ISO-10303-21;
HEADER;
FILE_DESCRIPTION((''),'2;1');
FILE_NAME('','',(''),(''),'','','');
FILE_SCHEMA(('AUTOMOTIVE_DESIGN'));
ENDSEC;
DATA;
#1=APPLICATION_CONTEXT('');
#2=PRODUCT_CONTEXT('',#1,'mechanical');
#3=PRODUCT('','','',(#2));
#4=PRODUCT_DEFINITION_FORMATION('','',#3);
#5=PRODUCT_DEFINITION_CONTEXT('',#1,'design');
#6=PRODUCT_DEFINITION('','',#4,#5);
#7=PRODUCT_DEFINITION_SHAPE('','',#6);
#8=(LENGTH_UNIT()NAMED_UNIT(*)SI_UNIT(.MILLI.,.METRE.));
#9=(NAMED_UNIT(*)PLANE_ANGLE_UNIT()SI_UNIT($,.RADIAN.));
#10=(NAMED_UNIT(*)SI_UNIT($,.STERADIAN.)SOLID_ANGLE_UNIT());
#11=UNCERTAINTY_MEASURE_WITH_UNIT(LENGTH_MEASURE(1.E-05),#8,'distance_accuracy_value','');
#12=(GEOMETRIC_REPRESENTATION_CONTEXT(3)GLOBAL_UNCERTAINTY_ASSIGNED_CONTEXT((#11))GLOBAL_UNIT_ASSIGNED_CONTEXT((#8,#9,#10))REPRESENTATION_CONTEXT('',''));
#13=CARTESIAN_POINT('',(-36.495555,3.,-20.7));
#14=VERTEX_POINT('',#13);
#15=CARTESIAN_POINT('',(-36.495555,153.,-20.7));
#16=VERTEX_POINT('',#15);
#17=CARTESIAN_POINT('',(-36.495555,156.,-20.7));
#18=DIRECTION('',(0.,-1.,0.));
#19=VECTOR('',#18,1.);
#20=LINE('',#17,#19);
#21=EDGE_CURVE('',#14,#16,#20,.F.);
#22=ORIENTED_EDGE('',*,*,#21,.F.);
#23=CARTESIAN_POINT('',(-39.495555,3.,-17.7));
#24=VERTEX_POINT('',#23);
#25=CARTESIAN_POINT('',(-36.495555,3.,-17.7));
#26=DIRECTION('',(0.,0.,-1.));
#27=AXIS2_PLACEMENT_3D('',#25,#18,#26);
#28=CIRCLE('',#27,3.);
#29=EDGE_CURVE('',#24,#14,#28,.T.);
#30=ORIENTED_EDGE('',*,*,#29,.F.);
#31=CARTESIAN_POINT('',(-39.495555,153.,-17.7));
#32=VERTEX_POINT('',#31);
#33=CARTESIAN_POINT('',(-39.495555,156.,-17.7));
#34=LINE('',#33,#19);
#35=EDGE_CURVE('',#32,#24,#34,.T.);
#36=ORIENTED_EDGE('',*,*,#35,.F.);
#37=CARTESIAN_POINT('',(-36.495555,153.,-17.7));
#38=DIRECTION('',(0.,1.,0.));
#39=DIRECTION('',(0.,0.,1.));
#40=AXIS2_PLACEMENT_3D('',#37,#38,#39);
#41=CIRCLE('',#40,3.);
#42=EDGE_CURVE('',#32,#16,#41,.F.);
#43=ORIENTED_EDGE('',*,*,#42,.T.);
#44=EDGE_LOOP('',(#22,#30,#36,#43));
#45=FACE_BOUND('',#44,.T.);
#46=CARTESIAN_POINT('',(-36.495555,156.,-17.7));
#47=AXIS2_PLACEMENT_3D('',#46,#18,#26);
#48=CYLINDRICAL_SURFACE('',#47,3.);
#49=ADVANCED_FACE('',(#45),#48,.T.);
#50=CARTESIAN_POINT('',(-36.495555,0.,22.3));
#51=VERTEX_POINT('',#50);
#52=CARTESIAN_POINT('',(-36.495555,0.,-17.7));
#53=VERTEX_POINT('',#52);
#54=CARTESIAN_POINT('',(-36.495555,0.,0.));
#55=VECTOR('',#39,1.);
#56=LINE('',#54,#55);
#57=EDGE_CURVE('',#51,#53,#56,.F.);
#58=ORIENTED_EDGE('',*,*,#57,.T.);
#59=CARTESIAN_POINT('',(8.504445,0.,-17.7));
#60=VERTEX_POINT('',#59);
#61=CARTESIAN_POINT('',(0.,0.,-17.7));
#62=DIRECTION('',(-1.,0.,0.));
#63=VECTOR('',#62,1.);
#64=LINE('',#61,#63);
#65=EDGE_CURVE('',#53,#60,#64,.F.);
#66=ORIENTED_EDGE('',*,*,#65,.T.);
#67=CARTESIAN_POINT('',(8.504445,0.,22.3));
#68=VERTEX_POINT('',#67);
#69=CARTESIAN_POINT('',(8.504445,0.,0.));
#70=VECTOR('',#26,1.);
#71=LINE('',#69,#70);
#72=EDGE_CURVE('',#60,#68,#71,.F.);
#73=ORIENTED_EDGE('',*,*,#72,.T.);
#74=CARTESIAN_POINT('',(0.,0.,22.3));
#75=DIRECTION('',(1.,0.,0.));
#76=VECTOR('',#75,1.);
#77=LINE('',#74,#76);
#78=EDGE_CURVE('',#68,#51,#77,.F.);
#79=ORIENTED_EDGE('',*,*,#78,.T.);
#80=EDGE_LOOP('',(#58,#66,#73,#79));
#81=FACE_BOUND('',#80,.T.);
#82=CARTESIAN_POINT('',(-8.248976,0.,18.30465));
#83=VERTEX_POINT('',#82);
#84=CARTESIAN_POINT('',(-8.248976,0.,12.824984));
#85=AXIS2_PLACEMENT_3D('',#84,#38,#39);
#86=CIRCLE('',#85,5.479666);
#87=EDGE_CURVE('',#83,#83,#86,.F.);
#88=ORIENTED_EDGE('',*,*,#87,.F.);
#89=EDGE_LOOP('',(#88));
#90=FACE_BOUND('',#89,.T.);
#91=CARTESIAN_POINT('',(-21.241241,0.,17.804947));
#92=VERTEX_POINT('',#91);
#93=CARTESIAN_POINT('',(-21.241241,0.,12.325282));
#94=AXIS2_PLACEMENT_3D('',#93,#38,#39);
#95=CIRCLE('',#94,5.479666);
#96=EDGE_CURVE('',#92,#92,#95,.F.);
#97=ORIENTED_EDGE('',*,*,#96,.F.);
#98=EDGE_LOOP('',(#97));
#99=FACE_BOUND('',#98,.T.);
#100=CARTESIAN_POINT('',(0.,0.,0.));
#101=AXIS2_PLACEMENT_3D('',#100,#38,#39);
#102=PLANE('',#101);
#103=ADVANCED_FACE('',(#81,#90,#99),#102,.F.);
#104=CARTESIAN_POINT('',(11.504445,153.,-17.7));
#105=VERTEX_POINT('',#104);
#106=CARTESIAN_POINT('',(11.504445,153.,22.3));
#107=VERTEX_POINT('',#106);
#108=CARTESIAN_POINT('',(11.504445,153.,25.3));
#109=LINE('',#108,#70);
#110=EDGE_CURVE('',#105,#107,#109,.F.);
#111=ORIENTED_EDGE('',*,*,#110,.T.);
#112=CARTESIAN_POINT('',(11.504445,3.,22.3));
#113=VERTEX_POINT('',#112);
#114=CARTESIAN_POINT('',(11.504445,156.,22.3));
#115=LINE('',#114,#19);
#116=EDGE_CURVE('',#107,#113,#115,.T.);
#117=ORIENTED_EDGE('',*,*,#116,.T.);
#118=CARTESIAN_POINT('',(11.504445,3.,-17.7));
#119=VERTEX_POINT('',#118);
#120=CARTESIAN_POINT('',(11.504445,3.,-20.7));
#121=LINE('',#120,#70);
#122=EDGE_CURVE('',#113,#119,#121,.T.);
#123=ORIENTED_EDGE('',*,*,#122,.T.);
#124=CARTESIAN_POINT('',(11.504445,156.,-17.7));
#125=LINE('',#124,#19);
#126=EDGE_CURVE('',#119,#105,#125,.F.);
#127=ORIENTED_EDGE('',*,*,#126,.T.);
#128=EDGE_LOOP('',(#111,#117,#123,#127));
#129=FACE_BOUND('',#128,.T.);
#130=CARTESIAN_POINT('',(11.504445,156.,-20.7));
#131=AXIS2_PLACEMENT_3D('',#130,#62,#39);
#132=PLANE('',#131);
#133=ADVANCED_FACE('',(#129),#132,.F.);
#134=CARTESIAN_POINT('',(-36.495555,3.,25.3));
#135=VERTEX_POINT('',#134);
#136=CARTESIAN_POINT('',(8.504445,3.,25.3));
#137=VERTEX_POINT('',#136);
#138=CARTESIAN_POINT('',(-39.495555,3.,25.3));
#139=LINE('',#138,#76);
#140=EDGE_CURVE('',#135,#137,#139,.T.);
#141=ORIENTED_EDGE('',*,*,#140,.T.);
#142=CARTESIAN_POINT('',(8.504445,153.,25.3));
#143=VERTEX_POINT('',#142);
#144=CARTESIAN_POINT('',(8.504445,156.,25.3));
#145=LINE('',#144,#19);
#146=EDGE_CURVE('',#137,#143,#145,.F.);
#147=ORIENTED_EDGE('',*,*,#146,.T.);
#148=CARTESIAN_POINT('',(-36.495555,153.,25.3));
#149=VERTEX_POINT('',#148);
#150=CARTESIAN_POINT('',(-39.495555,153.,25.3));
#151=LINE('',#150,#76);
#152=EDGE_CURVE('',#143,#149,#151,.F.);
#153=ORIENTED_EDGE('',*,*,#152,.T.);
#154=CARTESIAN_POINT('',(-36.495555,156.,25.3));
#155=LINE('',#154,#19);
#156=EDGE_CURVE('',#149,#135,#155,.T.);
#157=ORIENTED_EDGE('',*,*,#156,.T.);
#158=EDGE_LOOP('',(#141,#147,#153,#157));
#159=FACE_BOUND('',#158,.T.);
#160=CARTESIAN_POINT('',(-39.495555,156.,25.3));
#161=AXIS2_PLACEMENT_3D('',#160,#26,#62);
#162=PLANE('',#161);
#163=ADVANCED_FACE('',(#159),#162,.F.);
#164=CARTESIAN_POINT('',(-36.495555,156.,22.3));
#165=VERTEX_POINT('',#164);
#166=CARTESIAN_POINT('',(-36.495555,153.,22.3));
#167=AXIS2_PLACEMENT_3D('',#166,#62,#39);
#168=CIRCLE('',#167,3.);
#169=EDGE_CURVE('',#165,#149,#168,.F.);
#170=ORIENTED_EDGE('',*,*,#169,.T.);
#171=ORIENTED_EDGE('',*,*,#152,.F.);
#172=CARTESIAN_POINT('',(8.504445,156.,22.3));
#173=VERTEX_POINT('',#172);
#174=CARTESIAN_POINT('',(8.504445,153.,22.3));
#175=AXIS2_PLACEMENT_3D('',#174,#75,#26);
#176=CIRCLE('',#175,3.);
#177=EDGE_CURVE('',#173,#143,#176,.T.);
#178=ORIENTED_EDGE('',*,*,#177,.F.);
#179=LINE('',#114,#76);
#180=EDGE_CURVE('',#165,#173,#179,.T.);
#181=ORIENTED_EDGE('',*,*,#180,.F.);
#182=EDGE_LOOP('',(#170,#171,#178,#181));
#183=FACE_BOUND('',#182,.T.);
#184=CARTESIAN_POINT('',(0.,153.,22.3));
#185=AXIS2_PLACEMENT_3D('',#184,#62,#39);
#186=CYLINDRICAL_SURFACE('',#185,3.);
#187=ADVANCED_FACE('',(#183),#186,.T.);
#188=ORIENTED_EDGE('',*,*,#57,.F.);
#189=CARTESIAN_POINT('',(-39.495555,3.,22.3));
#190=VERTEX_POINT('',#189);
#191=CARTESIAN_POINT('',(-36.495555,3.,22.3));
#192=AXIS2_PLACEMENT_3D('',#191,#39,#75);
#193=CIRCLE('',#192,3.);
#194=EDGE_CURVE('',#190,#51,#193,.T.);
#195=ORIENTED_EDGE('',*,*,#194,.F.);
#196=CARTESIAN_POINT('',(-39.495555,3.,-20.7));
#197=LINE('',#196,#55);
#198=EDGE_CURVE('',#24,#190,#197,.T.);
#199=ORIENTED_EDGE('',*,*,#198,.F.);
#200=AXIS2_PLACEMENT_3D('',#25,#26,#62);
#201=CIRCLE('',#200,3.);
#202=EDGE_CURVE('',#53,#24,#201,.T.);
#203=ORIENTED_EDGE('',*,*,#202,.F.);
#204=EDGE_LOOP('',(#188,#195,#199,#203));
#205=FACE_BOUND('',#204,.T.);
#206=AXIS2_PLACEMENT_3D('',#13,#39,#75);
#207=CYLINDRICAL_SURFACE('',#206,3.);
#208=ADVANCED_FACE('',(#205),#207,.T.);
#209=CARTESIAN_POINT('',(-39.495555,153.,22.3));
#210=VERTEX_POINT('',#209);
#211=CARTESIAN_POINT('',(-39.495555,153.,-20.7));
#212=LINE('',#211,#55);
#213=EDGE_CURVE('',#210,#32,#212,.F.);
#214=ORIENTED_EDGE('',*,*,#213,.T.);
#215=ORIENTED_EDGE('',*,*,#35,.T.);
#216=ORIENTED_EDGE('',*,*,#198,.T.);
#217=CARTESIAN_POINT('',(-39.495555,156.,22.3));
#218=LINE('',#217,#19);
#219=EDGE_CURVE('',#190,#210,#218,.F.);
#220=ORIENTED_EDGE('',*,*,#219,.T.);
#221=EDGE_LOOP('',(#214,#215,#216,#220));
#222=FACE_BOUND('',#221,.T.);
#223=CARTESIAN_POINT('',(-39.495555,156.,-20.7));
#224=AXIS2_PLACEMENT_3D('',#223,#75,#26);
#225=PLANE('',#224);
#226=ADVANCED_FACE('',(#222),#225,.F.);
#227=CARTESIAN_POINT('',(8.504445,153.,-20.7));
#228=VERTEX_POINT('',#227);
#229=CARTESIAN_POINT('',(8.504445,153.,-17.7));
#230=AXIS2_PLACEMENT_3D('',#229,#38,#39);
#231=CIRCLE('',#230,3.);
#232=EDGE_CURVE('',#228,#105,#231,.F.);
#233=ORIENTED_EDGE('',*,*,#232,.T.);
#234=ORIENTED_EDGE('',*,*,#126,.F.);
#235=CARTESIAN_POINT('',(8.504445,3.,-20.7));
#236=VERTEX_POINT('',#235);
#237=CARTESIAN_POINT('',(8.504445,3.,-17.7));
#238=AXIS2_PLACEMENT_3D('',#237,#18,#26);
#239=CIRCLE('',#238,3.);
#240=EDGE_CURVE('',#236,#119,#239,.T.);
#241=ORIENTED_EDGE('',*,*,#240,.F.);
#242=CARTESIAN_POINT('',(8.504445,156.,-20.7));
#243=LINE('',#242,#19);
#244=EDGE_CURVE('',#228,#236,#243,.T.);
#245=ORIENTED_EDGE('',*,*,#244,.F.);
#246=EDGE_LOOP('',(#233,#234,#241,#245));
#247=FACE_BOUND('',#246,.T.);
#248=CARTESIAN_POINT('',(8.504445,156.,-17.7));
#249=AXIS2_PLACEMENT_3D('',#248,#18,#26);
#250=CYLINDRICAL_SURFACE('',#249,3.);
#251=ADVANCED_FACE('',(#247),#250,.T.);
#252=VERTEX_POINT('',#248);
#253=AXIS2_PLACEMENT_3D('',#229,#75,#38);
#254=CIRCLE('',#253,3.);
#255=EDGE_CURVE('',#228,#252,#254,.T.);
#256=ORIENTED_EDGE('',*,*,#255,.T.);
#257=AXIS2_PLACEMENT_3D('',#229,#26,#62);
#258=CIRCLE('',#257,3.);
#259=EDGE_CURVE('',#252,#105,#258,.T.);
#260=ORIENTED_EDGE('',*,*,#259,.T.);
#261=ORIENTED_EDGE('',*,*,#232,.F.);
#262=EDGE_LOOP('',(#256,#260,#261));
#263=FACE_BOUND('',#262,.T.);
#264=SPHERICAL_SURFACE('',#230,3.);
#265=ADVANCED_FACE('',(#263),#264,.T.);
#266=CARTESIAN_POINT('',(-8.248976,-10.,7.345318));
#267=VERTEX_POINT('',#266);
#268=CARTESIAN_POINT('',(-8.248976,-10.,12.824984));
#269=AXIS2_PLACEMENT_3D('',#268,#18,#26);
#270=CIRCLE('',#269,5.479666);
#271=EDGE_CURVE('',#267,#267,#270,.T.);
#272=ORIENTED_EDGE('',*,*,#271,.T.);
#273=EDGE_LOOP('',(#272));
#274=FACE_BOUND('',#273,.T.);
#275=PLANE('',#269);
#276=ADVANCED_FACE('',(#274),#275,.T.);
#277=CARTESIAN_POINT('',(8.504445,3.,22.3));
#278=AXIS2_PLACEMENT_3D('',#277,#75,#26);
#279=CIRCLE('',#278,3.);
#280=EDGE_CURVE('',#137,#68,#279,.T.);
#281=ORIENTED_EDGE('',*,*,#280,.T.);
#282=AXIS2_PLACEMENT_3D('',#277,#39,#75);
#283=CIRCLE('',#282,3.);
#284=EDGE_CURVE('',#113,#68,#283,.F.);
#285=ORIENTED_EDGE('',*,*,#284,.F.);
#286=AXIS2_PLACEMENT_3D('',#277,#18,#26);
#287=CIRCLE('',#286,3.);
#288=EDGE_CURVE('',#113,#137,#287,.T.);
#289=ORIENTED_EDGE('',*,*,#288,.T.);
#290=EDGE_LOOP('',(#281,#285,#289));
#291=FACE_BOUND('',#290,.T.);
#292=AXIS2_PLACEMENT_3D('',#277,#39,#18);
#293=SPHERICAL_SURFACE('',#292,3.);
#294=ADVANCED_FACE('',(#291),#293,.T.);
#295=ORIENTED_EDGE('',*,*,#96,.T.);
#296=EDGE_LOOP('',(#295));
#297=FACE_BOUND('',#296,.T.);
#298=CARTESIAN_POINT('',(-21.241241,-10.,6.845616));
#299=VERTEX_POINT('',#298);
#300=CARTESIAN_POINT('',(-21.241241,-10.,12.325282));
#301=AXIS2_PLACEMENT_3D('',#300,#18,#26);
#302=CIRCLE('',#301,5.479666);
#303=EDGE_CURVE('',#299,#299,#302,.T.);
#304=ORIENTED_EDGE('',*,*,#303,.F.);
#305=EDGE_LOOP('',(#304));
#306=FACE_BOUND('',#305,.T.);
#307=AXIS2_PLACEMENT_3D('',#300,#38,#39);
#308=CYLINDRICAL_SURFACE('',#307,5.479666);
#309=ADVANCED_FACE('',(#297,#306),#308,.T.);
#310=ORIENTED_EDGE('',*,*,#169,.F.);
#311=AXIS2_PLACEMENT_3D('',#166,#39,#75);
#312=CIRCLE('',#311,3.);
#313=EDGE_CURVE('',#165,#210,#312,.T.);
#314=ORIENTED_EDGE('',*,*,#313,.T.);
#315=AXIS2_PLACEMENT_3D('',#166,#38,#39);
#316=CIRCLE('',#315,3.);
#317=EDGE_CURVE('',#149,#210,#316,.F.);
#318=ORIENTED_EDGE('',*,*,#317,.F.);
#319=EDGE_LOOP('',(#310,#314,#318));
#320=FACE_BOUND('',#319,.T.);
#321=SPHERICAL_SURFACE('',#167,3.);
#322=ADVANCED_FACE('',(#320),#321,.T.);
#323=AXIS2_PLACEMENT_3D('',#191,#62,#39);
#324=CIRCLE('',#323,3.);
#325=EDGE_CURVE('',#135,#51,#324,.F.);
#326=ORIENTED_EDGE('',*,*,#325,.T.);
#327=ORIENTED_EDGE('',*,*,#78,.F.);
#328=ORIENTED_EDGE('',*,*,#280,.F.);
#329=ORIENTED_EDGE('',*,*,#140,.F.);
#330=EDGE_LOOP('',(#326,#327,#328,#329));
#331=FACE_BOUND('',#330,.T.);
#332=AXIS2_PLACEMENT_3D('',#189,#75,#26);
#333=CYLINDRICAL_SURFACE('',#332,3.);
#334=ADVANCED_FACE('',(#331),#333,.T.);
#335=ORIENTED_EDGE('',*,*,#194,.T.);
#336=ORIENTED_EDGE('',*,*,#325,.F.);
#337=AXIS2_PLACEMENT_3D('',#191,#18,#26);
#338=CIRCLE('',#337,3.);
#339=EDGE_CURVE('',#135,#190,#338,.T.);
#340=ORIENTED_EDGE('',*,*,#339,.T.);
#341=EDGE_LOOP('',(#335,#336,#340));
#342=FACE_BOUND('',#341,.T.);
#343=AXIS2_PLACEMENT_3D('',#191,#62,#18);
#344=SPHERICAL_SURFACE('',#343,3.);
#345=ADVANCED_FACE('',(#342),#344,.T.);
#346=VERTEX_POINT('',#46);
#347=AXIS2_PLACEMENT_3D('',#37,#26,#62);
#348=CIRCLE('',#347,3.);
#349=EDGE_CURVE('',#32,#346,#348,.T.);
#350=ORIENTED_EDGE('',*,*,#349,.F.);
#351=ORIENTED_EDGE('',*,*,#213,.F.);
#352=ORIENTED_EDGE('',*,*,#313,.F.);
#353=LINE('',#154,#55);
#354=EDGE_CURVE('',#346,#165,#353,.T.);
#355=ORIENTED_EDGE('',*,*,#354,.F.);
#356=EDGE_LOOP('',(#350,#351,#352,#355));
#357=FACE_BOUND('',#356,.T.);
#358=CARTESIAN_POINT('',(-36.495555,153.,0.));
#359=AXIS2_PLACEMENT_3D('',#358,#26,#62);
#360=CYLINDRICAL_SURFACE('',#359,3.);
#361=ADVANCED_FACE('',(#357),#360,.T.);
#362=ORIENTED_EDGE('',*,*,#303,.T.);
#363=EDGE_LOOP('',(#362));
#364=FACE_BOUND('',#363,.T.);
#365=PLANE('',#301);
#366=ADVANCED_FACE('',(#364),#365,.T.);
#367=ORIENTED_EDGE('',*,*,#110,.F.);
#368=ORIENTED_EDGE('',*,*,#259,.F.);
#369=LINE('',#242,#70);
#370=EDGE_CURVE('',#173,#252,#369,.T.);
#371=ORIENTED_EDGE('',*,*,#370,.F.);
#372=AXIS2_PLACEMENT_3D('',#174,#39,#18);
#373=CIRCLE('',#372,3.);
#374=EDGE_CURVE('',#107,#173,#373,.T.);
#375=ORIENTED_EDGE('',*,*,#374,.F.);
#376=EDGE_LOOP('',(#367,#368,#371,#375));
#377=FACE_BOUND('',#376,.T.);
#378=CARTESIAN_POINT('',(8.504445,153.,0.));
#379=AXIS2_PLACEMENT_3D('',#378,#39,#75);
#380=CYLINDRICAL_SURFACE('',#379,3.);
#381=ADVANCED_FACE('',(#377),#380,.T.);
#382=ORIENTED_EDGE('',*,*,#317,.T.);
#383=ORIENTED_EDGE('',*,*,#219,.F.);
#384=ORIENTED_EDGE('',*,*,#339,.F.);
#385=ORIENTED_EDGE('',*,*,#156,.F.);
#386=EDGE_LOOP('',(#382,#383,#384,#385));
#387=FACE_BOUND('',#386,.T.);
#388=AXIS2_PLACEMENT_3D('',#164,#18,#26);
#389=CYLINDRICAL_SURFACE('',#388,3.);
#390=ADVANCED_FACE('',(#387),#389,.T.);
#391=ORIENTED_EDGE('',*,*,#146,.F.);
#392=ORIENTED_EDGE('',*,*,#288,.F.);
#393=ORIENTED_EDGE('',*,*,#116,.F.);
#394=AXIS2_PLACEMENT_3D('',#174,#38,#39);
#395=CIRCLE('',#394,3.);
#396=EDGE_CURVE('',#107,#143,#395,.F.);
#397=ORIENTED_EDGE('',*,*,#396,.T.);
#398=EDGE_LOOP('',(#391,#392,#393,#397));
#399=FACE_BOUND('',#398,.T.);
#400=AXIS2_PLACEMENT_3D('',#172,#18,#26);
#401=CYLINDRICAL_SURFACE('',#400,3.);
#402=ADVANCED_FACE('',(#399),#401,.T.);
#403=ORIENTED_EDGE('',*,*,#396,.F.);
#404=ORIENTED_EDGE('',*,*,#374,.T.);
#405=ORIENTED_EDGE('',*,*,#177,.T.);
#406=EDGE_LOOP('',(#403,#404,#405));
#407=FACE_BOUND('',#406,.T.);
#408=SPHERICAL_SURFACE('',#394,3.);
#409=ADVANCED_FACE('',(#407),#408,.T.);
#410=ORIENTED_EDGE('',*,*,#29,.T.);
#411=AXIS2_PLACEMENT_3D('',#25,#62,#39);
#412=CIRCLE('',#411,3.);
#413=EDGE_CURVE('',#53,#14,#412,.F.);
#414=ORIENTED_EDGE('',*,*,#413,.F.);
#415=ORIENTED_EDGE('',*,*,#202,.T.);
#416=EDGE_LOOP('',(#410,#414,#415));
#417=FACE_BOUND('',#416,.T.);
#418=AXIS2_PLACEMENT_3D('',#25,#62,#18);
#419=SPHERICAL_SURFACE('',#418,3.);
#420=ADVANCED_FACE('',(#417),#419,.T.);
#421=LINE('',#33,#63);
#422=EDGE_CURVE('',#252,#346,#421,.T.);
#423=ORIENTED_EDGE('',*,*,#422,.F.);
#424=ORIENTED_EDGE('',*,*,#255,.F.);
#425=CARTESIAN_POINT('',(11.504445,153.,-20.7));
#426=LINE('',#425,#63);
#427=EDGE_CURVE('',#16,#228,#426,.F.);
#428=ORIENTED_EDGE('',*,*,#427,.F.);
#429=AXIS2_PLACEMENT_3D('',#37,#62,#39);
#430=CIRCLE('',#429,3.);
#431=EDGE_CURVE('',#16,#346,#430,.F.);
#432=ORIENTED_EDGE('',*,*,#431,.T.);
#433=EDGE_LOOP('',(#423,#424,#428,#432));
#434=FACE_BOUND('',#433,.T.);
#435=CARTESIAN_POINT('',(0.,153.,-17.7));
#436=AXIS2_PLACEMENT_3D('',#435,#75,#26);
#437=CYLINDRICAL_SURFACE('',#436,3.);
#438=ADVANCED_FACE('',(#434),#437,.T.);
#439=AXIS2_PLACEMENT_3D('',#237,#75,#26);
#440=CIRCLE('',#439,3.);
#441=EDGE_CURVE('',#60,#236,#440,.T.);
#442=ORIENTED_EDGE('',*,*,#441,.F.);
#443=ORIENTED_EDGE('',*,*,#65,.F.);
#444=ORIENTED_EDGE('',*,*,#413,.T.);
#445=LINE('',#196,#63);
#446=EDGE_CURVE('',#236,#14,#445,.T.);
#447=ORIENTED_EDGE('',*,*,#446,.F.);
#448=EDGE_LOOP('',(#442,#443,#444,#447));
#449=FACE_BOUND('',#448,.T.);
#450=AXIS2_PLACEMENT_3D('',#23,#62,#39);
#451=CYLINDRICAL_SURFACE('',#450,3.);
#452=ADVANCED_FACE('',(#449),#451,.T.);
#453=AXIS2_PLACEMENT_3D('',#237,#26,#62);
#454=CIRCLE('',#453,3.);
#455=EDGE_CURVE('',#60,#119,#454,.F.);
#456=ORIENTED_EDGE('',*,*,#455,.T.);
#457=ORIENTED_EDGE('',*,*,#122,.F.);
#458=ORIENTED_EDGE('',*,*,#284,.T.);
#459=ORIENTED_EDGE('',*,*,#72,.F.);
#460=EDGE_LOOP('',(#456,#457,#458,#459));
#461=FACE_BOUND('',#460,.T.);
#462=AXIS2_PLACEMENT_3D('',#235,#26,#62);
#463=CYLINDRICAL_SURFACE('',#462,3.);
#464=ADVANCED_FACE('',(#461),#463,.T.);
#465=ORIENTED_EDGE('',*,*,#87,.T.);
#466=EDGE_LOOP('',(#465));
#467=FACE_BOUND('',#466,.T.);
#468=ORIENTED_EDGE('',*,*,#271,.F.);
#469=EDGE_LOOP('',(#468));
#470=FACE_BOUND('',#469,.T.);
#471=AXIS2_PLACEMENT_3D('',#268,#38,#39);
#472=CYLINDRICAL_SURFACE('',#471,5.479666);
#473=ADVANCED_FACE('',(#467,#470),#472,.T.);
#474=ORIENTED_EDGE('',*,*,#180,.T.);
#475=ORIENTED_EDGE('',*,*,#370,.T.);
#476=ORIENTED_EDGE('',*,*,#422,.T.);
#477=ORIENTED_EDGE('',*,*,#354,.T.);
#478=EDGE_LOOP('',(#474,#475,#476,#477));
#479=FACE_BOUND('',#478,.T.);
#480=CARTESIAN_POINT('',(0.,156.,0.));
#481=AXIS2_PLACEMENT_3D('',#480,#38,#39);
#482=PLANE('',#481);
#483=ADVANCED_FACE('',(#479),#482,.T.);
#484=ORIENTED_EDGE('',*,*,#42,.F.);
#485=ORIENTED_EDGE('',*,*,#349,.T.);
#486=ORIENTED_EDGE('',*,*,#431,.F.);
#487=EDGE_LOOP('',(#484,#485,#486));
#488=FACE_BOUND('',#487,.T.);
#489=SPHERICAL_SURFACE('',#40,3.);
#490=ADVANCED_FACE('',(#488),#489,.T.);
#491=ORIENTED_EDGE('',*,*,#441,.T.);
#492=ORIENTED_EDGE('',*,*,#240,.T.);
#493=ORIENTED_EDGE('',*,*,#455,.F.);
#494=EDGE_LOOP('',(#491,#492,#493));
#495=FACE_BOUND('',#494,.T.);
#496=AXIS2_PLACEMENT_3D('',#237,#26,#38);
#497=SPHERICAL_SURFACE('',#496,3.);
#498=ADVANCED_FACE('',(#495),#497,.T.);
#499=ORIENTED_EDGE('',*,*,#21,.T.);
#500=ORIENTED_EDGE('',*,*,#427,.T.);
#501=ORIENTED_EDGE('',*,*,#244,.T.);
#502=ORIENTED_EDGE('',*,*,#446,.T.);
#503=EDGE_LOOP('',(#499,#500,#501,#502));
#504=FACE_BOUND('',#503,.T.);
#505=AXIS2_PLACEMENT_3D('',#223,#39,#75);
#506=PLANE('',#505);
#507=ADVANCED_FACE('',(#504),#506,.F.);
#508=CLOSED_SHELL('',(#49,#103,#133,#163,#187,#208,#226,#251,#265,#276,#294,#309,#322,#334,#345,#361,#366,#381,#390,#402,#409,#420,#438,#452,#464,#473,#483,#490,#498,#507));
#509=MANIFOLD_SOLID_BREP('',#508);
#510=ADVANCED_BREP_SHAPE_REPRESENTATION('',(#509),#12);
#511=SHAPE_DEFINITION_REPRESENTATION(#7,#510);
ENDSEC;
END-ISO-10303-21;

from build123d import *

# Parameters (mm, degrees)
SKETCH1_W           = 51
SKETCH1_H           = 46
BOSS_EXTRUDE1_DEPTH = 156
FILLET1_R           = 3
SKETCH2_R           = 5.479665814
BOSS_EXTRUDE2_DEPTH = 10


with BuildPart() as part:
    # Sketch1 → Boss-Extrude1 (new body)
    with BuildSketch(Plane(origin=(0, 0, 0), x_dir=(1, 0, 0), z_dir=(0, 1, 0))):
        with Locations((-13.995554746, -2.3)):
            Rectangle(SKETCH1_W, SKETCH1_H)
    extrude(amount=BOSS_EXTRUDE1_DEPTH)

    # Fillet1
    fillet1_edges = [part.edges().sort_by_distance(p)[0] for p in [
        (11.504445254, 156, 2.3),
        (-13.995554746, 156, -20.7),
        (-39.495554746, 156, 2.3),
        (-13.995554746, 0, -20.7),
        (11.504445254, 0, 2.3),
        (-13.995554746, 0, 25.3),
        (-39.495554746, 0, 2.3),
        (-39.495554746, 78, -20.7),
        (11.504445254, 78, -20.7),
        (11.504445254, 78, 25.3),
        (-39.495554746, 78, 25.3),
        (-13.995554746, 156, 25.3),
    ]]
    fillet(fillet1_edges, radius=FILLET1_R)

    # Sketch2 → Boss-Extrude2 (add)
    with BuildSketch(Plane.XZ):
        with Locations((-21.241241136, 12.3252816)):
            Circle(SKETCH2_R)
        with Locations((-8.248975885, 12.82498411)):
            Circle(SKETCH2_R)
    extrude(amount=BOSS_EXTRUDE2_DEPTH)


solid = part.part
